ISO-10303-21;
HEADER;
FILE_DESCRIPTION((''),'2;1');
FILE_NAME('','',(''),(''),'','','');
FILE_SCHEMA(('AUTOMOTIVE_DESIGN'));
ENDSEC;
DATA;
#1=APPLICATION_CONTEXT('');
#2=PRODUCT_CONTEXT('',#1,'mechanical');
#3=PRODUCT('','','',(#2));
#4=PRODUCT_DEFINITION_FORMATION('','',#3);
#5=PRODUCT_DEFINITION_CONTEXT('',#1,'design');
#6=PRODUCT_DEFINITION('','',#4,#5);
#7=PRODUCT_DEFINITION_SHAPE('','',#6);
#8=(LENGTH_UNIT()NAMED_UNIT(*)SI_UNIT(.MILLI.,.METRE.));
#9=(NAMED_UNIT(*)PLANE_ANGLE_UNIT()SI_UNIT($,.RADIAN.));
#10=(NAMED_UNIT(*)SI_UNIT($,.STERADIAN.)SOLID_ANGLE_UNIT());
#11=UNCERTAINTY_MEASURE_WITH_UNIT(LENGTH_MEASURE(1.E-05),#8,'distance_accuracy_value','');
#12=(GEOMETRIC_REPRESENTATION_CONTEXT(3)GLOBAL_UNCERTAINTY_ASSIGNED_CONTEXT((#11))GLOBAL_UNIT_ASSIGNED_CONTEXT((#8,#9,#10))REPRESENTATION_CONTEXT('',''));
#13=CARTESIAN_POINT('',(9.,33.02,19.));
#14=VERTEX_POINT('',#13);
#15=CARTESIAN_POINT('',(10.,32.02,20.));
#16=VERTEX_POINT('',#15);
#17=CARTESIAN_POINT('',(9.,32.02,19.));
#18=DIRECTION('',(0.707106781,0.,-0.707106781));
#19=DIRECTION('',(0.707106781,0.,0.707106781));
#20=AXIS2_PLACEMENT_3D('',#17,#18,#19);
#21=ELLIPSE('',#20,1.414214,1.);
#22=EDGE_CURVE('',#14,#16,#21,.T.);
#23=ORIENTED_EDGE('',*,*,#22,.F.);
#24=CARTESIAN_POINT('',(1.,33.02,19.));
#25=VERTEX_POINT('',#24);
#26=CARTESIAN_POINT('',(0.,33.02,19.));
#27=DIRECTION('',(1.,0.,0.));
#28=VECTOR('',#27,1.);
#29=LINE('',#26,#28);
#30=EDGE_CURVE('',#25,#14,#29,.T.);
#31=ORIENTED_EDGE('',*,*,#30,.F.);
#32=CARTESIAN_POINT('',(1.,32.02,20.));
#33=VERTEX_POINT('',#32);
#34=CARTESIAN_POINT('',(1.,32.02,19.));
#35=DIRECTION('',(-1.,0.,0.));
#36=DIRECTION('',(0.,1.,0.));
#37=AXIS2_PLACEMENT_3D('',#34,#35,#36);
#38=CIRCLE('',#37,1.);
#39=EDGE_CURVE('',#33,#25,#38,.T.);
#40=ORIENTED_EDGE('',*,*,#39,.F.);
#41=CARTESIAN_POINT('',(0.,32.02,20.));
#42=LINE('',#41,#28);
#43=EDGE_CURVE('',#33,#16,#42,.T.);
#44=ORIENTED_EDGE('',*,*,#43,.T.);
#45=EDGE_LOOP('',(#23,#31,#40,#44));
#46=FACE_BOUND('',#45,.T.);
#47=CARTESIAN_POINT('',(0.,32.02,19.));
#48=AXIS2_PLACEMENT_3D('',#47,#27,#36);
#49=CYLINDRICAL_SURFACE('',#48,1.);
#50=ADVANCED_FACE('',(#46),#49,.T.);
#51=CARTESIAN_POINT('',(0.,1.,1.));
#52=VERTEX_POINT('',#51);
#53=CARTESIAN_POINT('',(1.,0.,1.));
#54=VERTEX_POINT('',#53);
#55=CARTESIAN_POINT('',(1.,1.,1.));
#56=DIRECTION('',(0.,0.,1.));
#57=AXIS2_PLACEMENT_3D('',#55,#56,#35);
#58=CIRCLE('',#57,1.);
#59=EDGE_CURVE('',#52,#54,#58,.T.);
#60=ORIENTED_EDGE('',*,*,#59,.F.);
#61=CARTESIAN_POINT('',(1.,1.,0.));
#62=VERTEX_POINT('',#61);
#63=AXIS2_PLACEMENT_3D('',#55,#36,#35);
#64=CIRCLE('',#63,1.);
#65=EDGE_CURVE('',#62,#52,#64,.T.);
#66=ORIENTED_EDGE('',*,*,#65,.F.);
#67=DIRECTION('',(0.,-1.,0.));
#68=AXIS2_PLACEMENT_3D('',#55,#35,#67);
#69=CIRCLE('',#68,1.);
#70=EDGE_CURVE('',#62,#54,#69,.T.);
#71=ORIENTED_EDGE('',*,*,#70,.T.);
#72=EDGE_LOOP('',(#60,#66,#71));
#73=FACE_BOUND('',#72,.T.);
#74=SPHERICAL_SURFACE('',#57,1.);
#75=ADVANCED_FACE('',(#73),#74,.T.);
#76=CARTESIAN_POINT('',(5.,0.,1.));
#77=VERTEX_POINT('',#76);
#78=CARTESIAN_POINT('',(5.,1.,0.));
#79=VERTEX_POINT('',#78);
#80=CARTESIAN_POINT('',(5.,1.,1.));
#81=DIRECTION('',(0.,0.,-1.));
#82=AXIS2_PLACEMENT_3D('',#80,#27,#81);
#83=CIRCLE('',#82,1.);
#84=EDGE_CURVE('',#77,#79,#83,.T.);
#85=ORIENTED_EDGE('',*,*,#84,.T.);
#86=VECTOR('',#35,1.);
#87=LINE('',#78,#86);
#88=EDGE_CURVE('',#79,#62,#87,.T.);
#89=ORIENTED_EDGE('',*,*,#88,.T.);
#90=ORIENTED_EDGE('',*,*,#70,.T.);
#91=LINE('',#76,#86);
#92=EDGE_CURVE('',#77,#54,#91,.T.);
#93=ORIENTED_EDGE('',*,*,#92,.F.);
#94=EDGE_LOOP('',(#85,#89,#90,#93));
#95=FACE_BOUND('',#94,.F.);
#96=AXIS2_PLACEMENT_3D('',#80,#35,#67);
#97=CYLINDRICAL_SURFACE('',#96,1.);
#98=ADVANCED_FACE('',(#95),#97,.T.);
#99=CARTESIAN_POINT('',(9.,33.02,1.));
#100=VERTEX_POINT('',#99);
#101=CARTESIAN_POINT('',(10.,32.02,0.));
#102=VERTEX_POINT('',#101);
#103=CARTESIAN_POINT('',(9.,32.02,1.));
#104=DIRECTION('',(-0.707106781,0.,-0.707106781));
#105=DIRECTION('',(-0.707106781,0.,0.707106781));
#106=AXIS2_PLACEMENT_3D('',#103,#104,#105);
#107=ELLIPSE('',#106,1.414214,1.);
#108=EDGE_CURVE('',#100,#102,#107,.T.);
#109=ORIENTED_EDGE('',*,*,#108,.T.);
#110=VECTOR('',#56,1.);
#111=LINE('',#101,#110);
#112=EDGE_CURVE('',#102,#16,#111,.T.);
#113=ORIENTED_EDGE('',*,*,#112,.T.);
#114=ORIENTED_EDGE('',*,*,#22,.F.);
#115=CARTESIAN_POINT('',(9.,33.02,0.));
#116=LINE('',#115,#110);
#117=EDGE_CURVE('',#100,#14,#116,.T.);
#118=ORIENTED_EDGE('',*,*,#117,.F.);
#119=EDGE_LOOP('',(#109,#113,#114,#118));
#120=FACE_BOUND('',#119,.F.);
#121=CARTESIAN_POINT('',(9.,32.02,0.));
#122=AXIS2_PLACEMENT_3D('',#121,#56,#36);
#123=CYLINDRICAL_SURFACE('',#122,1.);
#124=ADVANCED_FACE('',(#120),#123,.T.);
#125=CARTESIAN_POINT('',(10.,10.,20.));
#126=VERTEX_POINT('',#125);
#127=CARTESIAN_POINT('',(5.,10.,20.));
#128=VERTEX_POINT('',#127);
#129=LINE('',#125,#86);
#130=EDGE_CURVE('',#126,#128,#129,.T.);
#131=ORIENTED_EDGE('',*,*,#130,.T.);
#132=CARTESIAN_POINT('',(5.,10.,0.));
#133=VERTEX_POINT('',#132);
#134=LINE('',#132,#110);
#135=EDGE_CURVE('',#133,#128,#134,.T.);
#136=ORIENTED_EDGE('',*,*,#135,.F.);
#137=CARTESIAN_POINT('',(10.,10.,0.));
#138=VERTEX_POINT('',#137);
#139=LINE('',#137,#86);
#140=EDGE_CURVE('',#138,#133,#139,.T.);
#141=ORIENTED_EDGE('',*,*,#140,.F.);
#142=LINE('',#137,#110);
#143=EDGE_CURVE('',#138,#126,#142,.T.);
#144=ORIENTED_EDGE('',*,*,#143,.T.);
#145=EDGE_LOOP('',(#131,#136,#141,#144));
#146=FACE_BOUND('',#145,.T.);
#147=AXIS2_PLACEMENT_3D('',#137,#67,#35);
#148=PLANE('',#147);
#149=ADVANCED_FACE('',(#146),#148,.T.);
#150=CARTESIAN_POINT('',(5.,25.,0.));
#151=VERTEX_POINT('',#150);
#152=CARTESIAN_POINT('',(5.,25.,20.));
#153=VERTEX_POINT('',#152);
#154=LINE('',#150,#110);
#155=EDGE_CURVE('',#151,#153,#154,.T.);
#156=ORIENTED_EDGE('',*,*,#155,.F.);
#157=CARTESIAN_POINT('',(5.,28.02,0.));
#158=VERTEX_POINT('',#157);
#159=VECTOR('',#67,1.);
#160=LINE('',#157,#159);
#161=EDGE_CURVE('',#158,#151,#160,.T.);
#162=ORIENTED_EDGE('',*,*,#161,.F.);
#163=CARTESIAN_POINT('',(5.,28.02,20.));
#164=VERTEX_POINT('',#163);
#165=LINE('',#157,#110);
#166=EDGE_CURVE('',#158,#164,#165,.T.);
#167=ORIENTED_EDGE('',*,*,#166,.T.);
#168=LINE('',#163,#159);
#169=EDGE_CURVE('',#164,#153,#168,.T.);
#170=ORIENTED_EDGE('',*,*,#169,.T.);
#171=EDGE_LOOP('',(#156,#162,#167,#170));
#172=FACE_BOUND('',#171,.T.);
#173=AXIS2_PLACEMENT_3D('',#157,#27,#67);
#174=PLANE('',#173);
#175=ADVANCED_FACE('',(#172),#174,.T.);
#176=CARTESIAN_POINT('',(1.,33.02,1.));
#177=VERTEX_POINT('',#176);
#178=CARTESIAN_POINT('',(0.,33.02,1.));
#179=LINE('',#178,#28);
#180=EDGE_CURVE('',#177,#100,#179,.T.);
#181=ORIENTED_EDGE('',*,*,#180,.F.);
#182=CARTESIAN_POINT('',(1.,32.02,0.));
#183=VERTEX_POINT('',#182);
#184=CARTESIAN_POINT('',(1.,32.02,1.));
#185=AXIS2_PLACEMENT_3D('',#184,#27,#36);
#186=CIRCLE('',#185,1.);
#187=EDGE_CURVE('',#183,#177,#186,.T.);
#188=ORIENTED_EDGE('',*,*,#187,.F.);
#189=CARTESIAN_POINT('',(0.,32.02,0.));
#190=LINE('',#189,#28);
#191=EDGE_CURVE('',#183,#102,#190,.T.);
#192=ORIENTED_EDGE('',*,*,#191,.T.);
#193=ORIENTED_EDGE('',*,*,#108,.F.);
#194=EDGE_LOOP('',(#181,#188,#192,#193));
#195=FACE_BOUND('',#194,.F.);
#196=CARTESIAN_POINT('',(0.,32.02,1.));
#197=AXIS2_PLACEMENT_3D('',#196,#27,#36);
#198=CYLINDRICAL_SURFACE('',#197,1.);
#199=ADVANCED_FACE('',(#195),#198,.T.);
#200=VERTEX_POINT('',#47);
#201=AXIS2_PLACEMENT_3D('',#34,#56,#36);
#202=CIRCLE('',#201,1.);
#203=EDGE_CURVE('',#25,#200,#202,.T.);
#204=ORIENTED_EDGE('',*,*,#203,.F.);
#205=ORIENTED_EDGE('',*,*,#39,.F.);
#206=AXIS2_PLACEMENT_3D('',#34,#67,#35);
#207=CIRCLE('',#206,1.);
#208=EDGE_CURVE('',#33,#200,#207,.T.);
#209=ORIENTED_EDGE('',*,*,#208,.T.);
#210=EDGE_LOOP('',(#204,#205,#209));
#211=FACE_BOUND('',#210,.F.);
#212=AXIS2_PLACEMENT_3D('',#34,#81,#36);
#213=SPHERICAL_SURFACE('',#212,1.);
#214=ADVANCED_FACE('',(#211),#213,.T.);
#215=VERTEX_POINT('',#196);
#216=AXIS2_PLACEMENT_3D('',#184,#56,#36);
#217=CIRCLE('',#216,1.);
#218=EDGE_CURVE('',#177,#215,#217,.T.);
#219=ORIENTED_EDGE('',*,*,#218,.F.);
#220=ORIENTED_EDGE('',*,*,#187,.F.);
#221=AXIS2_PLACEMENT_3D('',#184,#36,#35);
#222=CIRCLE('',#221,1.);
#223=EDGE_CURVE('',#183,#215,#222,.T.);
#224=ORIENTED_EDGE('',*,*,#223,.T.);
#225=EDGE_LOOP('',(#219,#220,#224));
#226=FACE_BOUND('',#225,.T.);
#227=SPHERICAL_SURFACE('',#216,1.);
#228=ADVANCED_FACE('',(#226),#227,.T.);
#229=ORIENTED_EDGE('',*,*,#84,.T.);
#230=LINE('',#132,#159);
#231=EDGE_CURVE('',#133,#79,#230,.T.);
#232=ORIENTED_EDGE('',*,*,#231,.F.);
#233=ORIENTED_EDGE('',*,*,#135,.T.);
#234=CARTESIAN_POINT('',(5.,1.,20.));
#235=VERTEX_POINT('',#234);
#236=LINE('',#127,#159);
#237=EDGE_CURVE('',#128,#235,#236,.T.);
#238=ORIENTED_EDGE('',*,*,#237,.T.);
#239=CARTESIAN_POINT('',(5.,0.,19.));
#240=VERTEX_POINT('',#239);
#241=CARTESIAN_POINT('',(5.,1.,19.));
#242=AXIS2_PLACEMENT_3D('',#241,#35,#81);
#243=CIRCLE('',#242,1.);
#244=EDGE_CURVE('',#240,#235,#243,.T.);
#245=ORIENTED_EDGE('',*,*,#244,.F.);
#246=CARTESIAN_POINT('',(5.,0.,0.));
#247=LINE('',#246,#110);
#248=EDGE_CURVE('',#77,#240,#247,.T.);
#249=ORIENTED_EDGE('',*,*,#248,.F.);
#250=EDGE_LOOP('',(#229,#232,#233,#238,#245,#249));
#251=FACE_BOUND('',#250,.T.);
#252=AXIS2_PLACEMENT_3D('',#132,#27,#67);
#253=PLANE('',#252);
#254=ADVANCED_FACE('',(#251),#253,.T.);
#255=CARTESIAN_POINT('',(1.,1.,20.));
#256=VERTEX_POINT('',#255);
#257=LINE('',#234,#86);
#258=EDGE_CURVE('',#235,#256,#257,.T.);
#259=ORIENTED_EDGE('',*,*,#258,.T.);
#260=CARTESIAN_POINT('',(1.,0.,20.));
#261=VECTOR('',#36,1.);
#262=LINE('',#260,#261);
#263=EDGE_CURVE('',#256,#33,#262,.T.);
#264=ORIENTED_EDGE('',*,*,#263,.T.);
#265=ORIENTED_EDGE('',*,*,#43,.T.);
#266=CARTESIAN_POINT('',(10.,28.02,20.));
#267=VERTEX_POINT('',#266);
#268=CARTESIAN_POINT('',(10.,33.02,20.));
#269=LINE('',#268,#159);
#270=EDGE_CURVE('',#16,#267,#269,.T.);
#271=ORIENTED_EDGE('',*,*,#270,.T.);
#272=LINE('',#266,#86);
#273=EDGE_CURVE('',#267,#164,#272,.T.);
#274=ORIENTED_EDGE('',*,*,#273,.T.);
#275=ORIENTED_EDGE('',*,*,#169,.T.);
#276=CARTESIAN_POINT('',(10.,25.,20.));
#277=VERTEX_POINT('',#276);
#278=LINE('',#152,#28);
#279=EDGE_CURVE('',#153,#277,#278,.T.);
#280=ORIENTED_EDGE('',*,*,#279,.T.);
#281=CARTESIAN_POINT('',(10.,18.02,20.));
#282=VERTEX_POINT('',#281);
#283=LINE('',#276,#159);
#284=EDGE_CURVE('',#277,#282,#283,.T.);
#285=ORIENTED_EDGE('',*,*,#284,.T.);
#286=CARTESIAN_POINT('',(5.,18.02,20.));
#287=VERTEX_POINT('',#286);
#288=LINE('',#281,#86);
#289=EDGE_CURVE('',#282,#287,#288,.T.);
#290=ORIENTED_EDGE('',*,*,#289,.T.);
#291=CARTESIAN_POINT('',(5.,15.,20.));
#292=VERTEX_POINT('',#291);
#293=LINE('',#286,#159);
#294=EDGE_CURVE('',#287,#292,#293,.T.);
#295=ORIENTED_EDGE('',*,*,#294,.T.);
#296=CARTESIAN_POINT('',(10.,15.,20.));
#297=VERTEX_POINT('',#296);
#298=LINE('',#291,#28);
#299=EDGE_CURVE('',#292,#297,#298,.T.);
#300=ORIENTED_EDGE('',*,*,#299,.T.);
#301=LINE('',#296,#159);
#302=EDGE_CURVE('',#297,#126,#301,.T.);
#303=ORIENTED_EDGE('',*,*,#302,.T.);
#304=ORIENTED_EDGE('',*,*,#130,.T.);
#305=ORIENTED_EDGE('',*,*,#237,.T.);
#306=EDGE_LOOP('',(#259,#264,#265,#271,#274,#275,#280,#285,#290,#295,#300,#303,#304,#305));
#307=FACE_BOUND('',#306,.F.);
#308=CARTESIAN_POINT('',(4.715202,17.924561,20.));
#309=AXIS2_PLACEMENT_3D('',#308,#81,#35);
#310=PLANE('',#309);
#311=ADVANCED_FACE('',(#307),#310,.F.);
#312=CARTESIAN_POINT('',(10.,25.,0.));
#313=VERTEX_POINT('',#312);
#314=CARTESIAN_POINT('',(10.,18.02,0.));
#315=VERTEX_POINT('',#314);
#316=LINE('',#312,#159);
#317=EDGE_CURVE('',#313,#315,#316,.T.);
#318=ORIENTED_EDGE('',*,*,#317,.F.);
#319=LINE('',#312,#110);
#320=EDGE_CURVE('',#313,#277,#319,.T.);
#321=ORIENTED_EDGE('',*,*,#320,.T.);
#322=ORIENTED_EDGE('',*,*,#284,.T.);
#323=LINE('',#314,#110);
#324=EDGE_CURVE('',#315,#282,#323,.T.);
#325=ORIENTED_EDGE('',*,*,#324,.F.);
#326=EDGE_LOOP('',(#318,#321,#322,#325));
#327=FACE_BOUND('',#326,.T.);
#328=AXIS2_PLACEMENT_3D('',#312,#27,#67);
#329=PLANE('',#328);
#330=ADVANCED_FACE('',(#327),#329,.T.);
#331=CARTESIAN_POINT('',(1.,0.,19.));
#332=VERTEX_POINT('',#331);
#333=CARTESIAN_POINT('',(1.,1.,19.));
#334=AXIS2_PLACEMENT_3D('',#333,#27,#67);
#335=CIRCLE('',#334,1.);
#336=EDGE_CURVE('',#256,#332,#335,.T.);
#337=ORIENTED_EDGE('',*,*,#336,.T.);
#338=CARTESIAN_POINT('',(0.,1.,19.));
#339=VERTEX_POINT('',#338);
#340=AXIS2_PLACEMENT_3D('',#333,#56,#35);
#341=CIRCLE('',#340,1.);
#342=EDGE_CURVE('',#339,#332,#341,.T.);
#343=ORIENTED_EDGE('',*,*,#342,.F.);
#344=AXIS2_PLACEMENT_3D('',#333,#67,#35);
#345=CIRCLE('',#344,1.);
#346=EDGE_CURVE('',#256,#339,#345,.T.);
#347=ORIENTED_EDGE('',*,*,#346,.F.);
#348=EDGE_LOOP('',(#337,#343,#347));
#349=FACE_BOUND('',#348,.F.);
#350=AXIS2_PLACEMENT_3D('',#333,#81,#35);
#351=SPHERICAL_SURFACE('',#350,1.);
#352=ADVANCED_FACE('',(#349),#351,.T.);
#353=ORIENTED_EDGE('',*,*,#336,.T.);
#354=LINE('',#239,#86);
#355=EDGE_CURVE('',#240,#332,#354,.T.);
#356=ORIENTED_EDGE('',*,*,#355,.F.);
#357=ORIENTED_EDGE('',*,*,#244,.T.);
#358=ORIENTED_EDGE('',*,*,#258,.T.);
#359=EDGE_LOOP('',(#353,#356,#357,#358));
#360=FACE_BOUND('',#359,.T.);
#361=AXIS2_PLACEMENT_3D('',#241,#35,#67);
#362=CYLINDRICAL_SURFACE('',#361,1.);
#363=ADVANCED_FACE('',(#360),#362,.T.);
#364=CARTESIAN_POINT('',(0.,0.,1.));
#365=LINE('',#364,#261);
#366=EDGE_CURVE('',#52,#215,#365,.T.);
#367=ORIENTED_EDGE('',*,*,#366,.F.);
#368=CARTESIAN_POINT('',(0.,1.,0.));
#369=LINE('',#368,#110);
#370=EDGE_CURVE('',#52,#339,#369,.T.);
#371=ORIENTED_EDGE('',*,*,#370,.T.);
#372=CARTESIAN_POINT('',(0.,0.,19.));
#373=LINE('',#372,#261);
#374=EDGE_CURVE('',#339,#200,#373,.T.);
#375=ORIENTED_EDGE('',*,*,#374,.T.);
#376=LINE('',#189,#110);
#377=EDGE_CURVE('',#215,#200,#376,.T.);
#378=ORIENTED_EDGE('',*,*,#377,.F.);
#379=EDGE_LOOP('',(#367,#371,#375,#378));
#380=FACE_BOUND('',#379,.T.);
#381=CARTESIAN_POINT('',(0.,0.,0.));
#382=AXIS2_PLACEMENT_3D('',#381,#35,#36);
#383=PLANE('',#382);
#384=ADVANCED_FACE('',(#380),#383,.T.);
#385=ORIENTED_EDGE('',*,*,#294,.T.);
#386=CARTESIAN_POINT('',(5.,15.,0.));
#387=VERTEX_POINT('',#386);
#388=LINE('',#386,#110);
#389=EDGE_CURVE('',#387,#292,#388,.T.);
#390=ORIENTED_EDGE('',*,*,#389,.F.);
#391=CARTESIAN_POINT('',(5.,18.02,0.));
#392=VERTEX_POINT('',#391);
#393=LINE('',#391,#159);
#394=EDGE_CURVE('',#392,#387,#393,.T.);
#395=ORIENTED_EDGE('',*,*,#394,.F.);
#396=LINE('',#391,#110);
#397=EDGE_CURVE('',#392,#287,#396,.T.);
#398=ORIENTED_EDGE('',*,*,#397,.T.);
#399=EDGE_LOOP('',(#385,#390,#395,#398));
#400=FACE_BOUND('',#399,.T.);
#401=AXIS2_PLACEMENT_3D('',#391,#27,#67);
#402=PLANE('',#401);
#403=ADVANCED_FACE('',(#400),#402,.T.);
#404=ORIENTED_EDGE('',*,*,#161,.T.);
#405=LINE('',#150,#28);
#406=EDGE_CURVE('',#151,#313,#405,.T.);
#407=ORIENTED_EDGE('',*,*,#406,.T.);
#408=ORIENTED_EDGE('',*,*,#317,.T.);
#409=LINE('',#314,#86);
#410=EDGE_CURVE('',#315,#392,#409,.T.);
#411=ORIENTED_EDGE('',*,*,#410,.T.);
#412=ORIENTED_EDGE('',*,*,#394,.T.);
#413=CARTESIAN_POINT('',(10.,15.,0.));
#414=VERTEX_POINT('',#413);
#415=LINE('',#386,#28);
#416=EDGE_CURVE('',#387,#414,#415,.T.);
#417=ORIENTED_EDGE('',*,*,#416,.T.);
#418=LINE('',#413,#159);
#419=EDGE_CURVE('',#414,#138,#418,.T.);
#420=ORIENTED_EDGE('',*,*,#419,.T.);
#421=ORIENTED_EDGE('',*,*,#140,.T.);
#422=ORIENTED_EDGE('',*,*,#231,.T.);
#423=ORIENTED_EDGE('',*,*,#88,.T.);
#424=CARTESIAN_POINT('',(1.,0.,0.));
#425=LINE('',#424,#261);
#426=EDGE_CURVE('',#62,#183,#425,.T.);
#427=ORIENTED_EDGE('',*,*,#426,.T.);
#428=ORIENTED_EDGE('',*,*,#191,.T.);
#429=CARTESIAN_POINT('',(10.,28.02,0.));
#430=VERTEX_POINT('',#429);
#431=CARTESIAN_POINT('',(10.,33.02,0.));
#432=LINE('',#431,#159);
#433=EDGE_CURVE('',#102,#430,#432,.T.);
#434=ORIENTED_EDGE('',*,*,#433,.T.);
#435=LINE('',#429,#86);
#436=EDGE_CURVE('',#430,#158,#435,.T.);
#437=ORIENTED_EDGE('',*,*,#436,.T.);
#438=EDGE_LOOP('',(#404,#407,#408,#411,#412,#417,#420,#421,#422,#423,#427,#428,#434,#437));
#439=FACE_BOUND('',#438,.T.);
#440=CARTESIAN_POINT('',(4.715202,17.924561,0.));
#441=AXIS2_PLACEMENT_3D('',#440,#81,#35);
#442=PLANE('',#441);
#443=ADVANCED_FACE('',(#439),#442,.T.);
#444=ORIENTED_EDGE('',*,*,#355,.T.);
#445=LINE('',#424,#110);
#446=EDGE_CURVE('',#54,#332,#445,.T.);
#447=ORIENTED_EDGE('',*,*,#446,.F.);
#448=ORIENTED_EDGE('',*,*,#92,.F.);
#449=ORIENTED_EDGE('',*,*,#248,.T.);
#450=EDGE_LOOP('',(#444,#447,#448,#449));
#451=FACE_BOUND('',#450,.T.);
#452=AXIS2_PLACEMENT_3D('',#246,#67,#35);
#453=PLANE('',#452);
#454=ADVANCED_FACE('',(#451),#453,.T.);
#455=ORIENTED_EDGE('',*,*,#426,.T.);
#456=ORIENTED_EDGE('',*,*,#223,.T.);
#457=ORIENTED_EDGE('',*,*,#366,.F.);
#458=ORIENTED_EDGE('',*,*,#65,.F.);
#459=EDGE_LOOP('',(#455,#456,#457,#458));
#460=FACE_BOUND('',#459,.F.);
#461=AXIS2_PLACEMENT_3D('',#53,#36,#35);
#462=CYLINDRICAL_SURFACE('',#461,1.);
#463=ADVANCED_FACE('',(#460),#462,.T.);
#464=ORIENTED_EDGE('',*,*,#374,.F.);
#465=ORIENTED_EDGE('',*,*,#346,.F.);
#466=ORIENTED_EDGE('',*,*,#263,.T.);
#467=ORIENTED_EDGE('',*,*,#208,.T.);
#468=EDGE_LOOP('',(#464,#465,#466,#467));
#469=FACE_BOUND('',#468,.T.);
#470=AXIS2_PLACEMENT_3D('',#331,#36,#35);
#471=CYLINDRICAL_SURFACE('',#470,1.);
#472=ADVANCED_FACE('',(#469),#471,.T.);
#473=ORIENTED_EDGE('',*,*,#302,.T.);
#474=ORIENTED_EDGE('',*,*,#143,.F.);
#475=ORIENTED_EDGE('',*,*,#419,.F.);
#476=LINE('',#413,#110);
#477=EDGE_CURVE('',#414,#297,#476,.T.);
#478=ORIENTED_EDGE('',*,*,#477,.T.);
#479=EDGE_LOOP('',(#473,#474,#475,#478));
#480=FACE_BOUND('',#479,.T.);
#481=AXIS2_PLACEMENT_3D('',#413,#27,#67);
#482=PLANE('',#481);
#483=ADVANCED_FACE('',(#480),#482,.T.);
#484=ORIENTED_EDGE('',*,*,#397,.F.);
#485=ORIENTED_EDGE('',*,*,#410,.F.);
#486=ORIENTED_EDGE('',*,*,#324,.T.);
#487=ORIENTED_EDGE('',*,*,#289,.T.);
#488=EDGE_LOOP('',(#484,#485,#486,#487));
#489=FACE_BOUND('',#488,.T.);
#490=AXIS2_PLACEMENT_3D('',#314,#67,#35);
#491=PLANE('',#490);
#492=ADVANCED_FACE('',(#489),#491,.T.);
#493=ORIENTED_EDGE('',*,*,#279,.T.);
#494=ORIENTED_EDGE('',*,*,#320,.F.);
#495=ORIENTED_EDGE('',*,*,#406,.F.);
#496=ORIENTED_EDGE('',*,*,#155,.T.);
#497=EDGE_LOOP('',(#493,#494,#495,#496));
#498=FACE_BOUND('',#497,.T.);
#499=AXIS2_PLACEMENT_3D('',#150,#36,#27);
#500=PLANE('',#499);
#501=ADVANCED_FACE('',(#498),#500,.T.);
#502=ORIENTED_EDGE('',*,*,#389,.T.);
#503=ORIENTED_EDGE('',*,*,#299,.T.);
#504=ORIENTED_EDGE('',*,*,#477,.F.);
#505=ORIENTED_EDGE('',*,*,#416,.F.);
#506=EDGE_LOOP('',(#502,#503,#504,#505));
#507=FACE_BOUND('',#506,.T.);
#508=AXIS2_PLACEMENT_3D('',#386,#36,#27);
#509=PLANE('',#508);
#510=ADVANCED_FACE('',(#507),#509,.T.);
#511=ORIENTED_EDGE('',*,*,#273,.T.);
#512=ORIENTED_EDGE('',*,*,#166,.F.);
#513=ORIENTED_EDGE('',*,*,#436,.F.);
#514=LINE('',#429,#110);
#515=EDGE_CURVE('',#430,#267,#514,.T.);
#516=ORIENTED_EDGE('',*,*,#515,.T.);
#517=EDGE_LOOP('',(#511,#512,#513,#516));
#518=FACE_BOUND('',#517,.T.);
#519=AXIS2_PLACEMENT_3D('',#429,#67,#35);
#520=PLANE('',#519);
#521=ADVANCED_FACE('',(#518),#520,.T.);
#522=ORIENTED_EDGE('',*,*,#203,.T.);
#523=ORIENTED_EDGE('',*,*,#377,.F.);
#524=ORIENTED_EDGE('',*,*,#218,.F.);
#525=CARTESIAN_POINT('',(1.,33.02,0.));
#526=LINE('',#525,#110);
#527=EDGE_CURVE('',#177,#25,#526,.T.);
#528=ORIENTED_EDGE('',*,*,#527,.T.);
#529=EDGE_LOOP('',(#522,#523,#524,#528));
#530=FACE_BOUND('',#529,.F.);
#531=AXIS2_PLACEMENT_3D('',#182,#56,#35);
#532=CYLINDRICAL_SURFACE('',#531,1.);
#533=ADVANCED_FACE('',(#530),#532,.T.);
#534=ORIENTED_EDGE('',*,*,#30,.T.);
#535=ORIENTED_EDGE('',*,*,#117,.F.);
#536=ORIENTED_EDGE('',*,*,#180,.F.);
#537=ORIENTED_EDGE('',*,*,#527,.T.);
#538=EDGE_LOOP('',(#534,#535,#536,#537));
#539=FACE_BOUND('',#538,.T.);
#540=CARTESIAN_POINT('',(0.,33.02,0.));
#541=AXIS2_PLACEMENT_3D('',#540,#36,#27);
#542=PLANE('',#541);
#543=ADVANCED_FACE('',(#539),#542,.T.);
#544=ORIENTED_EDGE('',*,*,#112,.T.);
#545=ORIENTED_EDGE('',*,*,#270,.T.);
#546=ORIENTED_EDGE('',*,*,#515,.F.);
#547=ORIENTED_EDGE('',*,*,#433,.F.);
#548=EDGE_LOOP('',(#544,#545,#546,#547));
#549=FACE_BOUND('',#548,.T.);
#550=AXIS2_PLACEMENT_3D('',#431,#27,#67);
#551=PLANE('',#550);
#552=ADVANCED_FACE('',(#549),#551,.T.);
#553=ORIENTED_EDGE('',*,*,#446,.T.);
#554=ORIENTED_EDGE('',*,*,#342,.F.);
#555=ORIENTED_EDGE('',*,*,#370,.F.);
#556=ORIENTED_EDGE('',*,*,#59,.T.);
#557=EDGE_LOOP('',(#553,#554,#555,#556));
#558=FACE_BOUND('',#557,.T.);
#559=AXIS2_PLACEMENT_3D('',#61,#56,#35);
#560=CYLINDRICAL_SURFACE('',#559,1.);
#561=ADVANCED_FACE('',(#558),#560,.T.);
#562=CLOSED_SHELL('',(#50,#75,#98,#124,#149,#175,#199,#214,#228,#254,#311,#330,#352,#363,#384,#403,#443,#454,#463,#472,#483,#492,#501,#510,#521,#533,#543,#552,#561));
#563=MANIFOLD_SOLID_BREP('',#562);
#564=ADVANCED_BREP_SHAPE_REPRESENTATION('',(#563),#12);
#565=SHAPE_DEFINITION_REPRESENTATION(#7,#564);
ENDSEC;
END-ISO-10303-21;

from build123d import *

# Parameters (mm, degrees)
PAD_DEPTH = 20
FILLET_R  = 1


with BuildPart() as part:
    # Sketch → Pad (new body)
    with BuildSketch(Plane.XY):
        Polygon((0, 0), (0, 33.02), (10, 33.02), (10, 28.02), (5, 28.02), (5, 25), (10, 25), (10, 18.02), (5, 18.02), (5, 15), (10, 15), (10, 10), (5, 10), (5, 0), align=None)
    extrude(amount=PAD_DEPTH)

    # Fillet
    fillet_edges = [part.edges().sort_by_distance(p)[0] for p in [
        (0, 33.02, 10),
        (10, 33.02, 10),
        (5, 33.02, 0),
        (5, 33.02, 20),
        (0, 0, 10),
        (0, 16.51, 0),
        (0, 16.51, 20),
        (2.5, 0, 0),
        (2.5, 0, 20),
    ]]
    fillet(fillet_edges, radius=FILLET_R)


solid = part.part
